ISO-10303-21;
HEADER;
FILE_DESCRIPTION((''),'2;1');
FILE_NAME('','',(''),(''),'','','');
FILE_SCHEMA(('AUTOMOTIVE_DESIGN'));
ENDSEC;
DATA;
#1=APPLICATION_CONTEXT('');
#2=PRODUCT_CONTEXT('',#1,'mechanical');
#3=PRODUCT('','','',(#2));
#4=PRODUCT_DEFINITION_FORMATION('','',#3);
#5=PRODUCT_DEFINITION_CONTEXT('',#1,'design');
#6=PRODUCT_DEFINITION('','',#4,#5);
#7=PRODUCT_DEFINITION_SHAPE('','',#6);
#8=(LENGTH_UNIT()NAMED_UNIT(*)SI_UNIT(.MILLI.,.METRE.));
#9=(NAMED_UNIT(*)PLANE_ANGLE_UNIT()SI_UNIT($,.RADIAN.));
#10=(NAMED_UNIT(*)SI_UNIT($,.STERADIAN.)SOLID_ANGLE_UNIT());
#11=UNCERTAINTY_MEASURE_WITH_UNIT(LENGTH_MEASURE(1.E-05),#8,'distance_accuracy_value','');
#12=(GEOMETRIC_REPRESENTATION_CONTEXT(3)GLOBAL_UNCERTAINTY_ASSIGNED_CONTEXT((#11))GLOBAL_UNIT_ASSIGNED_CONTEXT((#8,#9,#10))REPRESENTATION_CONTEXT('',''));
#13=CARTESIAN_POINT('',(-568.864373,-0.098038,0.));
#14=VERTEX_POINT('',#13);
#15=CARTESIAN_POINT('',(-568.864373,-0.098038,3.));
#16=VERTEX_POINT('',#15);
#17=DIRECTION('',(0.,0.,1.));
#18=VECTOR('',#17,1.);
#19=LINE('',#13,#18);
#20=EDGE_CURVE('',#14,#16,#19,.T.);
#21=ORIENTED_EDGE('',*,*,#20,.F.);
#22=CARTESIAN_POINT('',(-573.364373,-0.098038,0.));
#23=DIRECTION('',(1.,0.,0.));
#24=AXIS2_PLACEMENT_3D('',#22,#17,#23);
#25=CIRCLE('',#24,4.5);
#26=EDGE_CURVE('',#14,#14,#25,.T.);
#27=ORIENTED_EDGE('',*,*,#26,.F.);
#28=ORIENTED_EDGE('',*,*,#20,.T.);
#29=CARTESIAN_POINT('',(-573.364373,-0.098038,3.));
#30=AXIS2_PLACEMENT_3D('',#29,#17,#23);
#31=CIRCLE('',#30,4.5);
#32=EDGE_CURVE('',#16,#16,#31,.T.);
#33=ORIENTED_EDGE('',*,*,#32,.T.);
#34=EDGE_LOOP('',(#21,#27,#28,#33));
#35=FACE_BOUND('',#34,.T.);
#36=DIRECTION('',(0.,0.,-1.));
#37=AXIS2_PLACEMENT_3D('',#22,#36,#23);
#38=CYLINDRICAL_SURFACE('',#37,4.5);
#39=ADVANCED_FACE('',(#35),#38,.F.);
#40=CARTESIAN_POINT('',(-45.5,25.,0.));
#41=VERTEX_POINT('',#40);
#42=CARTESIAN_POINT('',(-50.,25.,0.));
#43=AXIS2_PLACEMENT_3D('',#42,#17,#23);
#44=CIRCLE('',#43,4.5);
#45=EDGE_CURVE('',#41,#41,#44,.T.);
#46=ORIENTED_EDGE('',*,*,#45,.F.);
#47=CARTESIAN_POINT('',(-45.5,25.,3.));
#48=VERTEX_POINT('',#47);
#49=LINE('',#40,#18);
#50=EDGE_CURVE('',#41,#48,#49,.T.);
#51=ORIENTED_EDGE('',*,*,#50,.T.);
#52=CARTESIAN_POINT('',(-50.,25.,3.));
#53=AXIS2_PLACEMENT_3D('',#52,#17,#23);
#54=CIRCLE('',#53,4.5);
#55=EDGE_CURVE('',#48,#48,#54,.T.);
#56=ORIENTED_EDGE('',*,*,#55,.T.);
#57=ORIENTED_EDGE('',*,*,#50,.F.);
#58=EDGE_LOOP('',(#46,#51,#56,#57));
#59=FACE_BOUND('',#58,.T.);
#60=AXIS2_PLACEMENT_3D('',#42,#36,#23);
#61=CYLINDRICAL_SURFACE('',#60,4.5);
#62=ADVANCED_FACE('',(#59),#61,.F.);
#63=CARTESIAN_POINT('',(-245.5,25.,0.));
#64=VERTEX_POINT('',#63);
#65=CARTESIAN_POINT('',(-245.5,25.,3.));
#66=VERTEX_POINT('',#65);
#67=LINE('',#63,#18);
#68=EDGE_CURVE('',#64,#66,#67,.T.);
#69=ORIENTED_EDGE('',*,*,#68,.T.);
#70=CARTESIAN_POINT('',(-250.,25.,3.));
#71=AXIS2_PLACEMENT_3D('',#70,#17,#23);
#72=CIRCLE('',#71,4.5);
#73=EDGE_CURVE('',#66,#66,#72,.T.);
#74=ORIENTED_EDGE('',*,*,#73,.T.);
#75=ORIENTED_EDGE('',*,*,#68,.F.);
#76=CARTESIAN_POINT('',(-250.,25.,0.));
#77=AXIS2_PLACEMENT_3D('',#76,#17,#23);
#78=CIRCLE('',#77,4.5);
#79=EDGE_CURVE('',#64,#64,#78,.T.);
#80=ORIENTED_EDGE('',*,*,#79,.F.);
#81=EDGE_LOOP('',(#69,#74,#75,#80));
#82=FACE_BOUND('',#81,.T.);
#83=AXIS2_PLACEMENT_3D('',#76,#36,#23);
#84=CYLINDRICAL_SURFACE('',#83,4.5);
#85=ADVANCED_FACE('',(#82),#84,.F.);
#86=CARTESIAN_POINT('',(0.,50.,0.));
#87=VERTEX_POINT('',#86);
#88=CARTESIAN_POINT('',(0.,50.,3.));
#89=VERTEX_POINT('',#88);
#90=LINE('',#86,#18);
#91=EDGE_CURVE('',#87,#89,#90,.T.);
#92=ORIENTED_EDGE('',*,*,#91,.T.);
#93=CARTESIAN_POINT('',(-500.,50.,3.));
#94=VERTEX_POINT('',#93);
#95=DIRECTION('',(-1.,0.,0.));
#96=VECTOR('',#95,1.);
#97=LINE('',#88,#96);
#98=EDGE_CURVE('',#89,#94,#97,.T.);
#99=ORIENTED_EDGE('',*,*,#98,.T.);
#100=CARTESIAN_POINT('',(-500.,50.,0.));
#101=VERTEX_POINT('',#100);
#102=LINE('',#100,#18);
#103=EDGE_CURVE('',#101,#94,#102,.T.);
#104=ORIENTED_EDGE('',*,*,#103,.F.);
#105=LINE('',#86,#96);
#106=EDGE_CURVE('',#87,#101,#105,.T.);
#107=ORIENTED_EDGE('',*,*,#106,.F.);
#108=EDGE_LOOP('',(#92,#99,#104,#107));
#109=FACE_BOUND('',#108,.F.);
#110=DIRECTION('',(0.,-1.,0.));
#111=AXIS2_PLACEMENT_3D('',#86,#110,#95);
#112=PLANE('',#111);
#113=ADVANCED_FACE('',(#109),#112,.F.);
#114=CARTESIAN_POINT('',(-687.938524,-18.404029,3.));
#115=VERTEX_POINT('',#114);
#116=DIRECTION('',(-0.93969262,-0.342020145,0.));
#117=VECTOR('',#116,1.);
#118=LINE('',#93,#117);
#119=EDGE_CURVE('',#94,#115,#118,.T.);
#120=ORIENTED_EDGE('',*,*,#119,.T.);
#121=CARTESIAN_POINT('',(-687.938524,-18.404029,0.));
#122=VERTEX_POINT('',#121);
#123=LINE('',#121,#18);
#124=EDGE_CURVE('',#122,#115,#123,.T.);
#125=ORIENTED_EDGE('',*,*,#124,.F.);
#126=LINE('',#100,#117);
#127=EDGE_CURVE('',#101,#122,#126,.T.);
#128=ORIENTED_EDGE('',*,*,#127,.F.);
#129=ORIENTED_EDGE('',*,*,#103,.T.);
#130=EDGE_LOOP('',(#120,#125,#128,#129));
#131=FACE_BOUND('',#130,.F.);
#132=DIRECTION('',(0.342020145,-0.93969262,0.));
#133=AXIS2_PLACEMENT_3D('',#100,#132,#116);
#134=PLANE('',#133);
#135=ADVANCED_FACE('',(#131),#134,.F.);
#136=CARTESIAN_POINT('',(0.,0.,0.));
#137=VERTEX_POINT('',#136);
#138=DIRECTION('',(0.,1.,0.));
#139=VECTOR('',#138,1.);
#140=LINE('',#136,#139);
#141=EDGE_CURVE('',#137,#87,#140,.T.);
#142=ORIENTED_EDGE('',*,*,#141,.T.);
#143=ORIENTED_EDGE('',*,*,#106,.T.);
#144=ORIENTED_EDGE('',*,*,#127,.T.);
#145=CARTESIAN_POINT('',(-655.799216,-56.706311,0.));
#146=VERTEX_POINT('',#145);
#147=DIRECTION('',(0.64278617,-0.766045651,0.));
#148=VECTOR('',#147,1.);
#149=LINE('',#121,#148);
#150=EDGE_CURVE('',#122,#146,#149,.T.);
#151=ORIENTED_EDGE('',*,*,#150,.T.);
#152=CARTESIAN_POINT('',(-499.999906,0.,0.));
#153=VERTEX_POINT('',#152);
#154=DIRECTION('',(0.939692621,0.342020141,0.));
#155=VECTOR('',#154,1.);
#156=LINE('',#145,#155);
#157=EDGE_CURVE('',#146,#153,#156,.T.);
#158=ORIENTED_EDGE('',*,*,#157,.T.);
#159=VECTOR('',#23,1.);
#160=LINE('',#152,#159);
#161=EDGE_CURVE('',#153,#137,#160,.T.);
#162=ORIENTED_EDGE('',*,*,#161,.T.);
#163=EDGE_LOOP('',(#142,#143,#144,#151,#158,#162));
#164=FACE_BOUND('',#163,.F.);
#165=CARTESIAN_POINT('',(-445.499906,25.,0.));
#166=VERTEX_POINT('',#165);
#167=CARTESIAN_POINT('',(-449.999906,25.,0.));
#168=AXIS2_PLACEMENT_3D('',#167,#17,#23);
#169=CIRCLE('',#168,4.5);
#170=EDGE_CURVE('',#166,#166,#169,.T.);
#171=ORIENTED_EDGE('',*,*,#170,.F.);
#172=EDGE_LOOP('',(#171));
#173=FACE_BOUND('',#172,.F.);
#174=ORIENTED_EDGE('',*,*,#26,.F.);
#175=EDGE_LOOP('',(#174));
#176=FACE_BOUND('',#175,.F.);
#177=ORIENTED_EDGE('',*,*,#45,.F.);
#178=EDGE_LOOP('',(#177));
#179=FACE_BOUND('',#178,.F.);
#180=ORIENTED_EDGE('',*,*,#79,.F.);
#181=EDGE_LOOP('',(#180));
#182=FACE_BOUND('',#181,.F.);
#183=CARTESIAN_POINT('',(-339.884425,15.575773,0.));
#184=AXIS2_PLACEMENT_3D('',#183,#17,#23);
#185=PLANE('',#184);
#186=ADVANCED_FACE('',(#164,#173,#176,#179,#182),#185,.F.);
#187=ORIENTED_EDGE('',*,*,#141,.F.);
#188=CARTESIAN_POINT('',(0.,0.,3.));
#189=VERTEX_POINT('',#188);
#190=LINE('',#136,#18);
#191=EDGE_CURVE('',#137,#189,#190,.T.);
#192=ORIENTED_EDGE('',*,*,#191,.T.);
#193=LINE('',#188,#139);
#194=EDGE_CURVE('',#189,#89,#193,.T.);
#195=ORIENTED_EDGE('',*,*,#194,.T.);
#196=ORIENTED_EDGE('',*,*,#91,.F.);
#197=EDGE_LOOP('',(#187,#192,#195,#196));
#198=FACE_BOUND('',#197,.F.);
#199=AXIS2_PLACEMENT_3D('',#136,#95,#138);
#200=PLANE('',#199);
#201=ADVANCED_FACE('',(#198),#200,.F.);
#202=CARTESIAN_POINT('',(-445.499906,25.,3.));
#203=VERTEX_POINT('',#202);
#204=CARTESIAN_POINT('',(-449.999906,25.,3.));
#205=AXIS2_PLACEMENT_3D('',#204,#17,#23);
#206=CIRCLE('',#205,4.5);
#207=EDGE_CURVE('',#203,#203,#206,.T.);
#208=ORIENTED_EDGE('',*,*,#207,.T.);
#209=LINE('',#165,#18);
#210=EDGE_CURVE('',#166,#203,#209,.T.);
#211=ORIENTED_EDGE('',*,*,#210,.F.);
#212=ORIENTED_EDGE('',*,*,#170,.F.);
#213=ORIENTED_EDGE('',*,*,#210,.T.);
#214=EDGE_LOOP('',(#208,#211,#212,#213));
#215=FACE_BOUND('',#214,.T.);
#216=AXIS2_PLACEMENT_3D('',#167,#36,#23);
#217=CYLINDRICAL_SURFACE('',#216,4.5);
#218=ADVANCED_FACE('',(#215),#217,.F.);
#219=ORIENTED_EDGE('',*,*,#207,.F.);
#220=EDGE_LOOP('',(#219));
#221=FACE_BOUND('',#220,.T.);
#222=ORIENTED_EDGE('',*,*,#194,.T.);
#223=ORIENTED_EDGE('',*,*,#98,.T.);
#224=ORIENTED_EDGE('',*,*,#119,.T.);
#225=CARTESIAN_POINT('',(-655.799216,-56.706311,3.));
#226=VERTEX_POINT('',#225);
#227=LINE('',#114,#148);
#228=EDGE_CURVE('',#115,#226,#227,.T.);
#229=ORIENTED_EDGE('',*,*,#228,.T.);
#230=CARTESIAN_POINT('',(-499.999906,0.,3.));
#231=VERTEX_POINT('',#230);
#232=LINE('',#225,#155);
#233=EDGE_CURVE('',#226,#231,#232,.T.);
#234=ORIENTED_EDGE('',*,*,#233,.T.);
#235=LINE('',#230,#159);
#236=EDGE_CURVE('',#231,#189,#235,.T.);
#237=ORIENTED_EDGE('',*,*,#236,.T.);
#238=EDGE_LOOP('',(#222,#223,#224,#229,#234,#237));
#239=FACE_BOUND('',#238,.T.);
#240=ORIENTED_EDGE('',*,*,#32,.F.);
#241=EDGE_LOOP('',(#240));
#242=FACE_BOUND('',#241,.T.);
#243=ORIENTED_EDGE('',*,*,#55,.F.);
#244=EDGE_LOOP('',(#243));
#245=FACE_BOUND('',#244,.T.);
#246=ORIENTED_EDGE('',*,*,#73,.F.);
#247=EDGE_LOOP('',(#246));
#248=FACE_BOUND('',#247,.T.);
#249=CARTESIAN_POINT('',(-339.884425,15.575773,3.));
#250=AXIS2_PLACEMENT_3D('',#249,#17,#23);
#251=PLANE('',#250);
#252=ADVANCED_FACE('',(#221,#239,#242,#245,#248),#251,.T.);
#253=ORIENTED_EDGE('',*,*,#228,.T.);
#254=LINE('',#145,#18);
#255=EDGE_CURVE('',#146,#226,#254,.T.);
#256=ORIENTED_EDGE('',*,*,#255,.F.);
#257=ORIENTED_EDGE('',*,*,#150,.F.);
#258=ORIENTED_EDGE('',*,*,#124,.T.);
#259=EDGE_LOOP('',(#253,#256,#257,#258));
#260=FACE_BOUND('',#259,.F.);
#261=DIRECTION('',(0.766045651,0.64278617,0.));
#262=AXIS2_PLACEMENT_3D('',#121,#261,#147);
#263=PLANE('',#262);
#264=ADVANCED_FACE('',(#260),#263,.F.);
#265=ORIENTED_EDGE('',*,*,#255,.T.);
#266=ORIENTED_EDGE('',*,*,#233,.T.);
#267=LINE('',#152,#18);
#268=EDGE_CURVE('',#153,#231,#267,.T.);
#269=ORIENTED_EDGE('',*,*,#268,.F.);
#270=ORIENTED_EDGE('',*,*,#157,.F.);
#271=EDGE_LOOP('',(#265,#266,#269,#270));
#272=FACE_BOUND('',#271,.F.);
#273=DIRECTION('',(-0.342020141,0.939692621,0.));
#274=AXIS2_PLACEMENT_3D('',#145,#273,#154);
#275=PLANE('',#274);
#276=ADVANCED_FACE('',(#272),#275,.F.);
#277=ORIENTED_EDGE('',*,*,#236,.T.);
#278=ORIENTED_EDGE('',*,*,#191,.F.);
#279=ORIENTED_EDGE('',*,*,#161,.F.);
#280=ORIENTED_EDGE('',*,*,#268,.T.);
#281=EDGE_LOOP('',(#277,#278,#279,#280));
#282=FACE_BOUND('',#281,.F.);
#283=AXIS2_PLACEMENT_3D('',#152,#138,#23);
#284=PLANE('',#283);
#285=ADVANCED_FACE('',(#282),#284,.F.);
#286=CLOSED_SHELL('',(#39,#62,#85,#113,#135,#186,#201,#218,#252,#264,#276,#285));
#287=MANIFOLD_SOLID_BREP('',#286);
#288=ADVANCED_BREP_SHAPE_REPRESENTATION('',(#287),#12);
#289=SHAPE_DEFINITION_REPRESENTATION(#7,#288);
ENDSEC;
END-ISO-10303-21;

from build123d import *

# Parameters (mm, degrees)
SKETCH_R  = 4.5
PAD_DEPTH = 3


with BuildPart() as part:
    # Sketch → Pad (new body)
    with BuildSketch(Plane.XY):
        Polygon((0, 50), (-500, 50), (-687.938524, -18.404029), (-655.799216, -56.706311), (-499.999906, 0), (0, 0), align=None)
        with Locations((-50, 25)):
            Circle(SKETCH_R, mode=Mode.SUBTRACT)
        with Locations((-250, 25)):
            Circle(SKETCH_R, mode=Mode.SUBTRACT)
        with Locations((-449.999906, 25)):
            Circle(SKETCH_R, mode=Mode.SUBTRACT)
        with Locations((-573.364373, -0.098038)):
            Circle(SKETCH_R, mode=Mode.SUBTRACT)
    extrude(amount=PAD_DEPTH)


solid = part.part
